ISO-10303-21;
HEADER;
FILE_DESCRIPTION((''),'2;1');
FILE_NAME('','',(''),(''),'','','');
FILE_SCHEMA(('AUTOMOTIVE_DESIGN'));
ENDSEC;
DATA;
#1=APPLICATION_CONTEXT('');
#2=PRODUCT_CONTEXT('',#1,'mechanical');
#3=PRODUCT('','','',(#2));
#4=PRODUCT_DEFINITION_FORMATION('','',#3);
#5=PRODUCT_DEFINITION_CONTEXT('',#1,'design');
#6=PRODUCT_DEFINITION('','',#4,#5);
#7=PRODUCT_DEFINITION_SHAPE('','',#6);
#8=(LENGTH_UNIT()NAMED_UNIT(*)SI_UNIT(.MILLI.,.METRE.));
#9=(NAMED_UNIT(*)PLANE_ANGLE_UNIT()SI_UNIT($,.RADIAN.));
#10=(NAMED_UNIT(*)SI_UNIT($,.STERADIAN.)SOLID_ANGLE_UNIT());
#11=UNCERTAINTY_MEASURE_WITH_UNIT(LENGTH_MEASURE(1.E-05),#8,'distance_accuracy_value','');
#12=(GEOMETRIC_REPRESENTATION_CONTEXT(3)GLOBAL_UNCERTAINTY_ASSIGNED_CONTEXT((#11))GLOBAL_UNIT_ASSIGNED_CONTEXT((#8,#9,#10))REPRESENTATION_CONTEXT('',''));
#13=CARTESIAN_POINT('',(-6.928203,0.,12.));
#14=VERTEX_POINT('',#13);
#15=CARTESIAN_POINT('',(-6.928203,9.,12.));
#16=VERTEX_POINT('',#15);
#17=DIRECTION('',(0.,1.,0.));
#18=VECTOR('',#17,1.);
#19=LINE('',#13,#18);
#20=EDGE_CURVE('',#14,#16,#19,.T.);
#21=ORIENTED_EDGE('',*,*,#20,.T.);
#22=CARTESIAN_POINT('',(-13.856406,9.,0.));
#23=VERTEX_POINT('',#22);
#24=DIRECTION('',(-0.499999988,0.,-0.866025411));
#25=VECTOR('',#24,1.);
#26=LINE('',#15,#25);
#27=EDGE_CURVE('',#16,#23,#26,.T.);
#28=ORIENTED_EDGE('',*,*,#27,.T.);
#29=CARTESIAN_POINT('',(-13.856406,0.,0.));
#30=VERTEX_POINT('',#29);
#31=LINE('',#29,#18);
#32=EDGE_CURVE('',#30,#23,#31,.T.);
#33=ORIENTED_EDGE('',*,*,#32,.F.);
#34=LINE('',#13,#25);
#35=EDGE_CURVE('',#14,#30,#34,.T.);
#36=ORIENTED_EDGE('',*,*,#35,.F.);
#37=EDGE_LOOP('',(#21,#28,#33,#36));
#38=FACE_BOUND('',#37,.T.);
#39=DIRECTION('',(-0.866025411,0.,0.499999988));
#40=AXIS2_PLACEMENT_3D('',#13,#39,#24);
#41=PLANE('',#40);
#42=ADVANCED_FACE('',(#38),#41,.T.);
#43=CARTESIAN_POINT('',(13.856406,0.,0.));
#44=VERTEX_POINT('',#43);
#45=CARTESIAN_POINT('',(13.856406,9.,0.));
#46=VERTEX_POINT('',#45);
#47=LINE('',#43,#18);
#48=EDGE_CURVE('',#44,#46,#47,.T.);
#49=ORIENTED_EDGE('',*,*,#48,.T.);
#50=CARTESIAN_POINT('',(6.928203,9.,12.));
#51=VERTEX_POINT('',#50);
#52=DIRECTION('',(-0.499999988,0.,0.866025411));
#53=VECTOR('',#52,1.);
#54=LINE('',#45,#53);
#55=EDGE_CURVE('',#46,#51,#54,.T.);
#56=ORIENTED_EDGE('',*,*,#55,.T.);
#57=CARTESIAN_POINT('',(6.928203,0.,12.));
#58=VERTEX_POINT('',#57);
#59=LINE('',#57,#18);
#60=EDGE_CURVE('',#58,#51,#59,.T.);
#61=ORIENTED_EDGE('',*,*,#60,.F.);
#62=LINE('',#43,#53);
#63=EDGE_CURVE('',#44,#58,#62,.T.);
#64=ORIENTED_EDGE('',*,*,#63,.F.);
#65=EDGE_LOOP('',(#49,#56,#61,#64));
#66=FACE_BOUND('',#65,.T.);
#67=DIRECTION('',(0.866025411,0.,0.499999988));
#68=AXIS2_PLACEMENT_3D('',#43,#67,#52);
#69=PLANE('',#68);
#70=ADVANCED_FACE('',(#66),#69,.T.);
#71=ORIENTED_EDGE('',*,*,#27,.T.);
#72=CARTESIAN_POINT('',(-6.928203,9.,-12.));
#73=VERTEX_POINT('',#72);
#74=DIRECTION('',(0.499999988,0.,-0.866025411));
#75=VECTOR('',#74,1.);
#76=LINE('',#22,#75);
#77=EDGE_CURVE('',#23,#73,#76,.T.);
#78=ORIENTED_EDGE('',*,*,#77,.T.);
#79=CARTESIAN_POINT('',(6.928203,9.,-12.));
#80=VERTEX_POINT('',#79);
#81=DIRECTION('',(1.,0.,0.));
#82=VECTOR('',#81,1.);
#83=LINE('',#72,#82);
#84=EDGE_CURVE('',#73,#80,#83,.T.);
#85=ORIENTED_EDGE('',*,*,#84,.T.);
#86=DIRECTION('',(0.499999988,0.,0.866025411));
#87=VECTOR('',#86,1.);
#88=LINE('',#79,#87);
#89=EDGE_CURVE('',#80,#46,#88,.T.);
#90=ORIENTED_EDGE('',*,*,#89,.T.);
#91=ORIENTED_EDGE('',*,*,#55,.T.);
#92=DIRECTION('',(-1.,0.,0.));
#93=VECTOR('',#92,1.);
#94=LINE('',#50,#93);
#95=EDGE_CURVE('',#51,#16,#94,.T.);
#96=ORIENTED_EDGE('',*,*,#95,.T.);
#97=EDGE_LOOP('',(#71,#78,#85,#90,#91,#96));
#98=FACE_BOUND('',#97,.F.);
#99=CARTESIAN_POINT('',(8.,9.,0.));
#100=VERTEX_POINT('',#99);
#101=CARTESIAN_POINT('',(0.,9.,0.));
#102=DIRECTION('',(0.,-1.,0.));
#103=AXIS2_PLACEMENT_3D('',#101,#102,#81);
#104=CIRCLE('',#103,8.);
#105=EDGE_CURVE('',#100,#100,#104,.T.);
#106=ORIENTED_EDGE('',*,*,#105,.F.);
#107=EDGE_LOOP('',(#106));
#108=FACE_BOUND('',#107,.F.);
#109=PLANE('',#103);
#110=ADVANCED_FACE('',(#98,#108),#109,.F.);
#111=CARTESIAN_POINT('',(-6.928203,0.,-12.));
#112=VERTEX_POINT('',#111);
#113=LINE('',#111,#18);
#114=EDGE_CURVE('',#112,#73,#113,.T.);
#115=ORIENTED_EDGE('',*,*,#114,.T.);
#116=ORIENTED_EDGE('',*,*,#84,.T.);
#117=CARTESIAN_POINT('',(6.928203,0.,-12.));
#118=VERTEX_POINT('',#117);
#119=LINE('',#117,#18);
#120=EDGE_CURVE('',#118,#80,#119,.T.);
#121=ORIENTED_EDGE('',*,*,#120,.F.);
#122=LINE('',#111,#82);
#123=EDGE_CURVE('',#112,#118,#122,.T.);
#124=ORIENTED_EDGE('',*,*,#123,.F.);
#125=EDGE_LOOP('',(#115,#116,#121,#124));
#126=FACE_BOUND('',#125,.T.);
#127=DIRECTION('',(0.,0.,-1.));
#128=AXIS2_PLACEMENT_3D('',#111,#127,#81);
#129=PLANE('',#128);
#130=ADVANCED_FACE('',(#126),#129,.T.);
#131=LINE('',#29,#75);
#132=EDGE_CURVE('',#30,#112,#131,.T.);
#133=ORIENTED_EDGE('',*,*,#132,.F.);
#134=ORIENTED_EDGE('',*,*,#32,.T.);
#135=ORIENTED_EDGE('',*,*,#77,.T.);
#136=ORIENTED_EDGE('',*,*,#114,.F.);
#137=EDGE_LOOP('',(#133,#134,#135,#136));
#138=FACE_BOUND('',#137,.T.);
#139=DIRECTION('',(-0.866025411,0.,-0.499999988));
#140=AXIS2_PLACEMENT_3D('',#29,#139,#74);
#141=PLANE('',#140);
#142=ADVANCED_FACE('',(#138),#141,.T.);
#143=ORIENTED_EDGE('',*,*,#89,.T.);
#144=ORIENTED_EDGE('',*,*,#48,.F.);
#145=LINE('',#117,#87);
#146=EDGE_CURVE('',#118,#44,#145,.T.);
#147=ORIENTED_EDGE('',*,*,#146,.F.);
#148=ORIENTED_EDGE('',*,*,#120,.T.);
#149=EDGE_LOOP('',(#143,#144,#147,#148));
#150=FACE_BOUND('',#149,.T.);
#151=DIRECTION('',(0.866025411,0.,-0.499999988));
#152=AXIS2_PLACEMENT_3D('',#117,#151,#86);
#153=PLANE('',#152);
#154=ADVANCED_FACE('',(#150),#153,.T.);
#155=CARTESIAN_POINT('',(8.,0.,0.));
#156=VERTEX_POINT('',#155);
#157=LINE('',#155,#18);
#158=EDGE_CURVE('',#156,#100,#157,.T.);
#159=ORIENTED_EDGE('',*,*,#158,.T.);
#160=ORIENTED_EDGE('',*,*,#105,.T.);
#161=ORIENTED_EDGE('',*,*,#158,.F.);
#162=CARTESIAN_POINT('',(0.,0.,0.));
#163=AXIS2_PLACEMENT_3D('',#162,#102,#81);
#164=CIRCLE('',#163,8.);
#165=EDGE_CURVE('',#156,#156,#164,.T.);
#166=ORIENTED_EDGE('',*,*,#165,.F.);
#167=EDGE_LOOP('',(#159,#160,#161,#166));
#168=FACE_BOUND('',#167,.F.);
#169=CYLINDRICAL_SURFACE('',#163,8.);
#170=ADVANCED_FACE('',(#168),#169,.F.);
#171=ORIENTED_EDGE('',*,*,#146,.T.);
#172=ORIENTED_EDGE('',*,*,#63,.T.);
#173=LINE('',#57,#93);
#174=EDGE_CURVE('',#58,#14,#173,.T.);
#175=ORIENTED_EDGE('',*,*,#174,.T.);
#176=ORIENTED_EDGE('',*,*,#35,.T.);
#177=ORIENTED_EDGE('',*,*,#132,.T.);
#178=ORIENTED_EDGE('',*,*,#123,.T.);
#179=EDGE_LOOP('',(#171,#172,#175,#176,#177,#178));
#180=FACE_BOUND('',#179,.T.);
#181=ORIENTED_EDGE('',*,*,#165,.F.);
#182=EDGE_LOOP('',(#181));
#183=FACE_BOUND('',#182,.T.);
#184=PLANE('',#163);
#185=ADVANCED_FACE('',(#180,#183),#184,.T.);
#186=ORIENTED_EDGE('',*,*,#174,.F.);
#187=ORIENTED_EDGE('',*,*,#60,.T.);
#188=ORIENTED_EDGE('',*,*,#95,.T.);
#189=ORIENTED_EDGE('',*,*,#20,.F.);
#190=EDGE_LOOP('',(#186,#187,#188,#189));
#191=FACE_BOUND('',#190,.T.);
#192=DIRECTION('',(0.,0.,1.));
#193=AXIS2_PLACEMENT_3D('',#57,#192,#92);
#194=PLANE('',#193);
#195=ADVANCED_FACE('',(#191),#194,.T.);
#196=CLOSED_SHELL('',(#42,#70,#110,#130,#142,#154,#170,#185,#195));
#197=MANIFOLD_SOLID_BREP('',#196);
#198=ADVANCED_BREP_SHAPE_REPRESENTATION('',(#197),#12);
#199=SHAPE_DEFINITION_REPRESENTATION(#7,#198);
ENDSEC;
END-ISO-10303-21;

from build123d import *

# Parameters (mm, degrees)
F1_DEPTH = 9
F2_R     = 8
F3_DEPTH = 9.001


with BuildPart() as f1:
    # F0 (on Front) → F1 (new body)
    with BuildSketch(Plane.XZ):
        Polygon((6.928203, 12), (-6.928203, 12), (-13.856406, 0), (-6.928203, -12), (6.928203, -12), (13.856406, 0), align=None)
    extrude(amount=-F1_DEPTH)

    # F2 (on face) → F3 (cut, through all)
    with BuildSketch(Plane.XZ):
        Circle(F2_R)
    extrude(amount=-F3_DEPTH, mode=Mode.SUBTRACT)


solid = f1.part
